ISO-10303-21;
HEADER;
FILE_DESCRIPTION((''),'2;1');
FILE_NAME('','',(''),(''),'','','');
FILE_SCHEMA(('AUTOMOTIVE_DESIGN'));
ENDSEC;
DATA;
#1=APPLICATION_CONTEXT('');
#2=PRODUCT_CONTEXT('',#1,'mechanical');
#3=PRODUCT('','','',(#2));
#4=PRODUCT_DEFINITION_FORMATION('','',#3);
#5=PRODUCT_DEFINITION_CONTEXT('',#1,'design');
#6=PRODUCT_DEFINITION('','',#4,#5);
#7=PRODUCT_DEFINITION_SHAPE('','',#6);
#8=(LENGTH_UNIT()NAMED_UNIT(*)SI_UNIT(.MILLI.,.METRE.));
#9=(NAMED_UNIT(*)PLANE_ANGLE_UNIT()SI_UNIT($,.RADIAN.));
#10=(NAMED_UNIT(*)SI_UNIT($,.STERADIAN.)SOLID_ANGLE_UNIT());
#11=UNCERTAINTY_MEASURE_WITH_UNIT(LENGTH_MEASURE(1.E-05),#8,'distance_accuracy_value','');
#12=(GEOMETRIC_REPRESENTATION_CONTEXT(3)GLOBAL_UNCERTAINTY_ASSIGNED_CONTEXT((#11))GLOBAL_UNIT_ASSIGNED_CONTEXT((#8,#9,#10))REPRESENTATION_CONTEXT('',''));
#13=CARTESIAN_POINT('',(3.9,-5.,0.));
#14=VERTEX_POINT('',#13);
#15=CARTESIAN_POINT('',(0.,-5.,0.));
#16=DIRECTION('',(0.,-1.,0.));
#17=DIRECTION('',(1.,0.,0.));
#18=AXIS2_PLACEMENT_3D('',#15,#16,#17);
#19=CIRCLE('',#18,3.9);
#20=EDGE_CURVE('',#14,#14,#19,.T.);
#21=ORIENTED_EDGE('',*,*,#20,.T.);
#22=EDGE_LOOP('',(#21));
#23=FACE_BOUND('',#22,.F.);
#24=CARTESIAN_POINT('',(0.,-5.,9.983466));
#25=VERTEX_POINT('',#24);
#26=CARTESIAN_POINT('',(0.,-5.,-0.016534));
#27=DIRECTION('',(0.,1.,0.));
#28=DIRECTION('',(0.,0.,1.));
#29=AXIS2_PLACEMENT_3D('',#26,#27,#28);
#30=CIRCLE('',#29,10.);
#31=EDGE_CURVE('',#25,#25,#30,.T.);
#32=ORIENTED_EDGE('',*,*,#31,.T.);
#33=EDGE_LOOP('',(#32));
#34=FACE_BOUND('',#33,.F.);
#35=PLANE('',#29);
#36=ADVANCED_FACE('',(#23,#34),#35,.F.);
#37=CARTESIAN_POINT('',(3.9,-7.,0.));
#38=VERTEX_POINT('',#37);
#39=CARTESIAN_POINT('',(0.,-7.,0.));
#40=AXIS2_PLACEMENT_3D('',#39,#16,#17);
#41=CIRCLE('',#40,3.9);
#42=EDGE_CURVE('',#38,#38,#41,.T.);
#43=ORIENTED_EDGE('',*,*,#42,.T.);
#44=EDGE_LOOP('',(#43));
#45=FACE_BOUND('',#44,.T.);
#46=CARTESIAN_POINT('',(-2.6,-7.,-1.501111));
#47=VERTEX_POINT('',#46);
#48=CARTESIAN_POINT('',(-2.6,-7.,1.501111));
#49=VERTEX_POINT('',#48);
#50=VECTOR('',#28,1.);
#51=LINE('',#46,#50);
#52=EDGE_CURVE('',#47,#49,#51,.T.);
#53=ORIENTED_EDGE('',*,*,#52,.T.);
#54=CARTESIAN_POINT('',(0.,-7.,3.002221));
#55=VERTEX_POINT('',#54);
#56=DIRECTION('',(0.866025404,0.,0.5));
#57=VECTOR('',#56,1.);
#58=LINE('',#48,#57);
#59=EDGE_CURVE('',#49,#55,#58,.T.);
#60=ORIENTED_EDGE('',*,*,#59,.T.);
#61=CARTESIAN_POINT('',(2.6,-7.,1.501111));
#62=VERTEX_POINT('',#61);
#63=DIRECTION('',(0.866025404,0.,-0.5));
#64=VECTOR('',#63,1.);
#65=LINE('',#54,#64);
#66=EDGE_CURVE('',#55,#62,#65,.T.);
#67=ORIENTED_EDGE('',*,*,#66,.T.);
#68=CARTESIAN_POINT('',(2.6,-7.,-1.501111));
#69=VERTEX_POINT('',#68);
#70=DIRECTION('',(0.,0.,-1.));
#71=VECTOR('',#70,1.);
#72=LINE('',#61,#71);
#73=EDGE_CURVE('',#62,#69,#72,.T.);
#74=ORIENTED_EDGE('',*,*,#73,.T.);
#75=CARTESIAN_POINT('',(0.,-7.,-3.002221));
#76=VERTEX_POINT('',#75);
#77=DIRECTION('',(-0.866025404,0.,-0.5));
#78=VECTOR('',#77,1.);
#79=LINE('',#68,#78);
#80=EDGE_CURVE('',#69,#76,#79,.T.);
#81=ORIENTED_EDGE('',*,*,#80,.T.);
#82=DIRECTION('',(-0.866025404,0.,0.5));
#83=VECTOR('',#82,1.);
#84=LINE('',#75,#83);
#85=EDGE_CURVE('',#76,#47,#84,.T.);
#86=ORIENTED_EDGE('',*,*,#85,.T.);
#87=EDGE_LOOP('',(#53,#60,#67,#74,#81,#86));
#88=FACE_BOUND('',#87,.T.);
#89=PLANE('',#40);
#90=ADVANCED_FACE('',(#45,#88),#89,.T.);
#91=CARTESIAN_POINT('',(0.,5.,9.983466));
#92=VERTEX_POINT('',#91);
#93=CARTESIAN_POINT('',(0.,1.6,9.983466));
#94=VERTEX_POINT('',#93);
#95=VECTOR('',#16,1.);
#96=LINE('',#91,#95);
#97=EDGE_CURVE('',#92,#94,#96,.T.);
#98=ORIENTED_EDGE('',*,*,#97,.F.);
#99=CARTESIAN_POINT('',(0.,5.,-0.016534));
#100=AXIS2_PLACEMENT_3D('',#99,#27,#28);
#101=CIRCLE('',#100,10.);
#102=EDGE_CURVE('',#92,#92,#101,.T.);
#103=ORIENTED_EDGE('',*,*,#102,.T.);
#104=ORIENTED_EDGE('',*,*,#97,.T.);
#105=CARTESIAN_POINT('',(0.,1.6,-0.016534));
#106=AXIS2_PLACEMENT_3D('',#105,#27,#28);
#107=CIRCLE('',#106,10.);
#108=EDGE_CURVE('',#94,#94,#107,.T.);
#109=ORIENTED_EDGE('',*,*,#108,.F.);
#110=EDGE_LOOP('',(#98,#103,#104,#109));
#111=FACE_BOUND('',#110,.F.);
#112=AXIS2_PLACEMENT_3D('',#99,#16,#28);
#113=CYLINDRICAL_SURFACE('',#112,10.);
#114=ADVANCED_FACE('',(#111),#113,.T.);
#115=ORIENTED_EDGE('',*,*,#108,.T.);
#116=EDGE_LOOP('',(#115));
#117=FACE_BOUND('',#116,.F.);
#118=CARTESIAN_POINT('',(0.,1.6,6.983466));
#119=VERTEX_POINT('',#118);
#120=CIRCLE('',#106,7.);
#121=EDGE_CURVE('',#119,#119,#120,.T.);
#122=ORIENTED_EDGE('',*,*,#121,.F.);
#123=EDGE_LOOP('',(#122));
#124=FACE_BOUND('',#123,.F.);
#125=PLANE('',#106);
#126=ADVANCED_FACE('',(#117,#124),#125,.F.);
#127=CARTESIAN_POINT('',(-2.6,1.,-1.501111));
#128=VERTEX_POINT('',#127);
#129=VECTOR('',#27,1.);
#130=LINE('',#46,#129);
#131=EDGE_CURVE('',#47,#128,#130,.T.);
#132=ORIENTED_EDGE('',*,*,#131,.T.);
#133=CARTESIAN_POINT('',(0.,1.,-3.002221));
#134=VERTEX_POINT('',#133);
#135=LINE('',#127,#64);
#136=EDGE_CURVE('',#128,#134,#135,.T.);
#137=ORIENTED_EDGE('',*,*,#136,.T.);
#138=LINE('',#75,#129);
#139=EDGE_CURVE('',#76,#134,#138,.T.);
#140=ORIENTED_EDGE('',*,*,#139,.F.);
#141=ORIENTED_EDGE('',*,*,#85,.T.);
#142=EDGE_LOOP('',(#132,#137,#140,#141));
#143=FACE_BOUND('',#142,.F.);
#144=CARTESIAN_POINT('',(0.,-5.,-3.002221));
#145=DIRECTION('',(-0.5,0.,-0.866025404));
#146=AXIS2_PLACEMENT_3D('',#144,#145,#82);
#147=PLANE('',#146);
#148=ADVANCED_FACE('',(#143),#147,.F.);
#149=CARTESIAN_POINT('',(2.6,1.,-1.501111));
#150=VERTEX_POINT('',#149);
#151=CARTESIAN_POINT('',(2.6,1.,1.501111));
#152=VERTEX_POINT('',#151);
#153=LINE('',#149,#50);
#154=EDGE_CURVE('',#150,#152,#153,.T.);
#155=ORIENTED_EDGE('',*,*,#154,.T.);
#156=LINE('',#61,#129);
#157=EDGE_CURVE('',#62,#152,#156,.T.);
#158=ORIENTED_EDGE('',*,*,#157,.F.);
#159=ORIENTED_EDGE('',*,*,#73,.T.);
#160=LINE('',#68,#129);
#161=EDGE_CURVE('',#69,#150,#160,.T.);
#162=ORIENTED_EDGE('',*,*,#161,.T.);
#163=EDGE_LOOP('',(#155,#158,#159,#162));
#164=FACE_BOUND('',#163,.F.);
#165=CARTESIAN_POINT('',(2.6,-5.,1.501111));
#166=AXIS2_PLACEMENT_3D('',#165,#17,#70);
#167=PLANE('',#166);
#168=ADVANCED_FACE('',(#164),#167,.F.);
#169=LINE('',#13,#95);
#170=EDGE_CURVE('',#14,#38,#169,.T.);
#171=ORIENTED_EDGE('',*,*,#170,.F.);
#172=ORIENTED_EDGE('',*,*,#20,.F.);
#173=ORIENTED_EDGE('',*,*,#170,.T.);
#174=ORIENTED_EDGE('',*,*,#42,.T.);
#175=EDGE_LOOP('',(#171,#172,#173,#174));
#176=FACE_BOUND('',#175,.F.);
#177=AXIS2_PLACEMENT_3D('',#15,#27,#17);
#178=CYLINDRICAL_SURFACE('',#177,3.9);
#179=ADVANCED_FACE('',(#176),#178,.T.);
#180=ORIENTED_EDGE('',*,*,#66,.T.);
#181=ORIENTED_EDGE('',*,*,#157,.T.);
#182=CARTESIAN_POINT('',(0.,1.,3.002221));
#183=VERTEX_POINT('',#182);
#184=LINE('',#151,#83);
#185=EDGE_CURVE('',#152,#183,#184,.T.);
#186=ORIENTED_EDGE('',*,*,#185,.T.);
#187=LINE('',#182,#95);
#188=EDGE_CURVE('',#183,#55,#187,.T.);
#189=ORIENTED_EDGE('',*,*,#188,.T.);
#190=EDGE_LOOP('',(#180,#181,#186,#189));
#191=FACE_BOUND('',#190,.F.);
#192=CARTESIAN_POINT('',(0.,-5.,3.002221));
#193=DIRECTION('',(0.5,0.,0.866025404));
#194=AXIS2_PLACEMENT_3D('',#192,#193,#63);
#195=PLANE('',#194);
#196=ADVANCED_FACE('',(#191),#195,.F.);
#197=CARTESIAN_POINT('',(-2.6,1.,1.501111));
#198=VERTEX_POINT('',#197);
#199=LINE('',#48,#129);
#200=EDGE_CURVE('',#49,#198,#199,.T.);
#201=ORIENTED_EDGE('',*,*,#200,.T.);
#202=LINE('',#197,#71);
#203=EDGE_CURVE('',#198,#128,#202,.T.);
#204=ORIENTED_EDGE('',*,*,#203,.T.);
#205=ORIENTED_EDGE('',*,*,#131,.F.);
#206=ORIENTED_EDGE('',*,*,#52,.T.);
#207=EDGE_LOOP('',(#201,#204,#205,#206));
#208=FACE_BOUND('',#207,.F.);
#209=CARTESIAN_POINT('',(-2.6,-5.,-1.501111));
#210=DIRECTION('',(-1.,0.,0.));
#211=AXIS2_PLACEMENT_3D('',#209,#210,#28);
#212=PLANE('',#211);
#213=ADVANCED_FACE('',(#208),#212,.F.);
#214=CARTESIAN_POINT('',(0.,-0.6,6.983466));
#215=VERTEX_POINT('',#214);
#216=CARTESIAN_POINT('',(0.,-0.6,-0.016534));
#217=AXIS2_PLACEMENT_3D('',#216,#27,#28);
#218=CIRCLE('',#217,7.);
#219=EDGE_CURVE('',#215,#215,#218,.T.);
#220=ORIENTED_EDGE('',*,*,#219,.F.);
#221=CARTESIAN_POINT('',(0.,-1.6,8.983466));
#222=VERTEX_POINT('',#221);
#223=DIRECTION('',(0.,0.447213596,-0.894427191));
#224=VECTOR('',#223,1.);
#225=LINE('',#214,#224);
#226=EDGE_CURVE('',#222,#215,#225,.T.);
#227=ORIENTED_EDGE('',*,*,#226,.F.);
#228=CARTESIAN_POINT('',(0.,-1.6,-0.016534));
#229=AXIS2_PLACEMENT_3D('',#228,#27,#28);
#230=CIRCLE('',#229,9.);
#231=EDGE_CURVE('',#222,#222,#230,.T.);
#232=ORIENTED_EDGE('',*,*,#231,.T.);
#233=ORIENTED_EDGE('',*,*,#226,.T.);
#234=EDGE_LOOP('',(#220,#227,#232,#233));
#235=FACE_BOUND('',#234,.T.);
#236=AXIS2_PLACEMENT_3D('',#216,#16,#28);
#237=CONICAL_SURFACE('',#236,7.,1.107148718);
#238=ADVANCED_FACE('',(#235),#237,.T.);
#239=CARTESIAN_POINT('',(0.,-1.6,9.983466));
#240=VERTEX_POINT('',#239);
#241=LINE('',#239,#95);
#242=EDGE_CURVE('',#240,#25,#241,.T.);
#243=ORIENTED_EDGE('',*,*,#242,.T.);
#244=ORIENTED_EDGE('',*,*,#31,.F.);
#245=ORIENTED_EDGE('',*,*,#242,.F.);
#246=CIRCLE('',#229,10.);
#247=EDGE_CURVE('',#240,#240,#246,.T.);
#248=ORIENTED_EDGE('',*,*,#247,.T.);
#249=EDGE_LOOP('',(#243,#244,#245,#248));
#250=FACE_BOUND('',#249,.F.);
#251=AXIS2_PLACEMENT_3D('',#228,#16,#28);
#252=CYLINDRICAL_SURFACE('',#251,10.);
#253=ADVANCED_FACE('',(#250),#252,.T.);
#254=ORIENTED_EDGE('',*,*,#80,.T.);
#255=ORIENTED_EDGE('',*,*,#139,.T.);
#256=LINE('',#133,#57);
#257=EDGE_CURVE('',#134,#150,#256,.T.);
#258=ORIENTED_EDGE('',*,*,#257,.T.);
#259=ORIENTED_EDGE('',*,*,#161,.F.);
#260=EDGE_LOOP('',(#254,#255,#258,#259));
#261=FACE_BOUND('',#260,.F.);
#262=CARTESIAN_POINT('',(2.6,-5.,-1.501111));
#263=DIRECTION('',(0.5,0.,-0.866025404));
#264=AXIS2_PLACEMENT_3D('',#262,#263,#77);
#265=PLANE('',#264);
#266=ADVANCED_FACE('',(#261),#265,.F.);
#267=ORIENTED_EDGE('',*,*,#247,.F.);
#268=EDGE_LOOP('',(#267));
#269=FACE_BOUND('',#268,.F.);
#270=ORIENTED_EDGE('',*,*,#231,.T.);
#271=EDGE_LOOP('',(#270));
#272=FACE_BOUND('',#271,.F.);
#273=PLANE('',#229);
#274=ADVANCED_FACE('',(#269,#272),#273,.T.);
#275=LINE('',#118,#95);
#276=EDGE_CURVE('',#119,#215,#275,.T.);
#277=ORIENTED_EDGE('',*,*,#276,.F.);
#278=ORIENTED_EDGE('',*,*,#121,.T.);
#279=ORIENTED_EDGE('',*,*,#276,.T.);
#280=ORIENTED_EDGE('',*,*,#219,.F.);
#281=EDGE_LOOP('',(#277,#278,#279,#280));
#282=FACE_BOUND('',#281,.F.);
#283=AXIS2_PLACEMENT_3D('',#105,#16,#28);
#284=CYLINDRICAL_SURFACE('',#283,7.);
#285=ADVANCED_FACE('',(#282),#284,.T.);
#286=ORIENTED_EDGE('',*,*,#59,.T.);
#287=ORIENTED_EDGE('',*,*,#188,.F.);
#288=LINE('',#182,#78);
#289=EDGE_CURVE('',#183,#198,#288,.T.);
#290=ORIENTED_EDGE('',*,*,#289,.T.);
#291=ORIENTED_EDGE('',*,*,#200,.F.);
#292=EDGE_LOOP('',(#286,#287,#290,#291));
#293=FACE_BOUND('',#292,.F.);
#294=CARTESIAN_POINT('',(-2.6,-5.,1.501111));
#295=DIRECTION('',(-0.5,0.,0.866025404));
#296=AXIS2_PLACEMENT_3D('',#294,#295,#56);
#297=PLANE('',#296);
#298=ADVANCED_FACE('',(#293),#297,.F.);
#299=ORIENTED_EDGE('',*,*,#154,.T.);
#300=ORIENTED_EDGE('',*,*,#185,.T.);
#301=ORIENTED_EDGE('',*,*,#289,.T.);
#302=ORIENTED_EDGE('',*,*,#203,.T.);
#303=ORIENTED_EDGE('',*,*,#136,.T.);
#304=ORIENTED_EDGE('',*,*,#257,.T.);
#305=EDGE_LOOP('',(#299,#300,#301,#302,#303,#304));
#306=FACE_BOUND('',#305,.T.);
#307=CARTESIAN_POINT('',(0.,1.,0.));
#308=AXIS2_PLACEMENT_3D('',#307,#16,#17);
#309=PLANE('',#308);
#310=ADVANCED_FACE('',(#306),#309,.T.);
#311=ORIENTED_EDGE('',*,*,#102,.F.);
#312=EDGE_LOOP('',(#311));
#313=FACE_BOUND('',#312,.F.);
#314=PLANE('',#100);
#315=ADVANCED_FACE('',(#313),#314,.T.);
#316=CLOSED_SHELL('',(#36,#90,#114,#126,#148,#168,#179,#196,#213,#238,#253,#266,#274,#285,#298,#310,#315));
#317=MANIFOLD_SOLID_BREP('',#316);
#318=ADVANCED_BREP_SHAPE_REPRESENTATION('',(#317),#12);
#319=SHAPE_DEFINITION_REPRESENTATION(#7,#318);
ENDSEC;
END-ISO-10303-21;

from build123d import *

# Parameters (mm, degrees)
F3_DEPTH = 6
F4_SIZE2 = 1
F4_SIZE  = 2
F2_R     = 3.9
F5_DEPTH = 2


with BuildPart() as f1:
    # F0 (on Right) → F1 (revolve)
    with BuildSketch(Plane.YZ):
        Polygon((1.6, 6.9834658491), (0, 6.9834658491), (-1.6, 6.9834658491), (-1.6, 9.9834658491), (-5, 9.9834658491), (-5, -0.0165341509), (5, -0.0165341509), (5, 9.9834658491), (1.6, 9.9834658491), align=None)
    revolve(axis=Axis((0, 0, -0.0165341509), (0, 1, 0)))

    # F2 (on face) → F3 (cut)
    with BuildSketch(Plane.XZ.offset(5)):
        Polygon((2.6, -1.5011106999), (2.6, 1.5011106999), (0, 3.0022213998), (-2.6, 1.5011106999), (-2.6, -1.5011106999), (0, -3.0022213998), align=None)
    extrude(amount=-F3_DEPTH, mode=Mode.SUBTRACT)

    # F4
    f4_edges = [f1.edges().sort_by_distance(p)[0] for p in [
        (0, -1.6, -7.016534),
    ]]
    f4_side = f1.faces().sort_by_distance((0, -1.6, -7.299377))[0]
    chamfer(f4_edges, length=F4_SIZE, length2=F4_SIZE2, reference=f4_side)

    # F2 (on face) → F5 (join)
    with BuildSketch(Plane.XZ.offset(5)):
        Circle(F2_R)
        Polygon((0, 3.0022213998), (2.6, 1.5011106999), (2.6, -1.5011106999), (0, -3.0022213998), (-2.6, -1.5011106999), (-2.6, 1.5011106999), align=None, mode=Mode.SUBTRACT)
    extrude(amount=F5_DEPTH)


solid = f1.part
